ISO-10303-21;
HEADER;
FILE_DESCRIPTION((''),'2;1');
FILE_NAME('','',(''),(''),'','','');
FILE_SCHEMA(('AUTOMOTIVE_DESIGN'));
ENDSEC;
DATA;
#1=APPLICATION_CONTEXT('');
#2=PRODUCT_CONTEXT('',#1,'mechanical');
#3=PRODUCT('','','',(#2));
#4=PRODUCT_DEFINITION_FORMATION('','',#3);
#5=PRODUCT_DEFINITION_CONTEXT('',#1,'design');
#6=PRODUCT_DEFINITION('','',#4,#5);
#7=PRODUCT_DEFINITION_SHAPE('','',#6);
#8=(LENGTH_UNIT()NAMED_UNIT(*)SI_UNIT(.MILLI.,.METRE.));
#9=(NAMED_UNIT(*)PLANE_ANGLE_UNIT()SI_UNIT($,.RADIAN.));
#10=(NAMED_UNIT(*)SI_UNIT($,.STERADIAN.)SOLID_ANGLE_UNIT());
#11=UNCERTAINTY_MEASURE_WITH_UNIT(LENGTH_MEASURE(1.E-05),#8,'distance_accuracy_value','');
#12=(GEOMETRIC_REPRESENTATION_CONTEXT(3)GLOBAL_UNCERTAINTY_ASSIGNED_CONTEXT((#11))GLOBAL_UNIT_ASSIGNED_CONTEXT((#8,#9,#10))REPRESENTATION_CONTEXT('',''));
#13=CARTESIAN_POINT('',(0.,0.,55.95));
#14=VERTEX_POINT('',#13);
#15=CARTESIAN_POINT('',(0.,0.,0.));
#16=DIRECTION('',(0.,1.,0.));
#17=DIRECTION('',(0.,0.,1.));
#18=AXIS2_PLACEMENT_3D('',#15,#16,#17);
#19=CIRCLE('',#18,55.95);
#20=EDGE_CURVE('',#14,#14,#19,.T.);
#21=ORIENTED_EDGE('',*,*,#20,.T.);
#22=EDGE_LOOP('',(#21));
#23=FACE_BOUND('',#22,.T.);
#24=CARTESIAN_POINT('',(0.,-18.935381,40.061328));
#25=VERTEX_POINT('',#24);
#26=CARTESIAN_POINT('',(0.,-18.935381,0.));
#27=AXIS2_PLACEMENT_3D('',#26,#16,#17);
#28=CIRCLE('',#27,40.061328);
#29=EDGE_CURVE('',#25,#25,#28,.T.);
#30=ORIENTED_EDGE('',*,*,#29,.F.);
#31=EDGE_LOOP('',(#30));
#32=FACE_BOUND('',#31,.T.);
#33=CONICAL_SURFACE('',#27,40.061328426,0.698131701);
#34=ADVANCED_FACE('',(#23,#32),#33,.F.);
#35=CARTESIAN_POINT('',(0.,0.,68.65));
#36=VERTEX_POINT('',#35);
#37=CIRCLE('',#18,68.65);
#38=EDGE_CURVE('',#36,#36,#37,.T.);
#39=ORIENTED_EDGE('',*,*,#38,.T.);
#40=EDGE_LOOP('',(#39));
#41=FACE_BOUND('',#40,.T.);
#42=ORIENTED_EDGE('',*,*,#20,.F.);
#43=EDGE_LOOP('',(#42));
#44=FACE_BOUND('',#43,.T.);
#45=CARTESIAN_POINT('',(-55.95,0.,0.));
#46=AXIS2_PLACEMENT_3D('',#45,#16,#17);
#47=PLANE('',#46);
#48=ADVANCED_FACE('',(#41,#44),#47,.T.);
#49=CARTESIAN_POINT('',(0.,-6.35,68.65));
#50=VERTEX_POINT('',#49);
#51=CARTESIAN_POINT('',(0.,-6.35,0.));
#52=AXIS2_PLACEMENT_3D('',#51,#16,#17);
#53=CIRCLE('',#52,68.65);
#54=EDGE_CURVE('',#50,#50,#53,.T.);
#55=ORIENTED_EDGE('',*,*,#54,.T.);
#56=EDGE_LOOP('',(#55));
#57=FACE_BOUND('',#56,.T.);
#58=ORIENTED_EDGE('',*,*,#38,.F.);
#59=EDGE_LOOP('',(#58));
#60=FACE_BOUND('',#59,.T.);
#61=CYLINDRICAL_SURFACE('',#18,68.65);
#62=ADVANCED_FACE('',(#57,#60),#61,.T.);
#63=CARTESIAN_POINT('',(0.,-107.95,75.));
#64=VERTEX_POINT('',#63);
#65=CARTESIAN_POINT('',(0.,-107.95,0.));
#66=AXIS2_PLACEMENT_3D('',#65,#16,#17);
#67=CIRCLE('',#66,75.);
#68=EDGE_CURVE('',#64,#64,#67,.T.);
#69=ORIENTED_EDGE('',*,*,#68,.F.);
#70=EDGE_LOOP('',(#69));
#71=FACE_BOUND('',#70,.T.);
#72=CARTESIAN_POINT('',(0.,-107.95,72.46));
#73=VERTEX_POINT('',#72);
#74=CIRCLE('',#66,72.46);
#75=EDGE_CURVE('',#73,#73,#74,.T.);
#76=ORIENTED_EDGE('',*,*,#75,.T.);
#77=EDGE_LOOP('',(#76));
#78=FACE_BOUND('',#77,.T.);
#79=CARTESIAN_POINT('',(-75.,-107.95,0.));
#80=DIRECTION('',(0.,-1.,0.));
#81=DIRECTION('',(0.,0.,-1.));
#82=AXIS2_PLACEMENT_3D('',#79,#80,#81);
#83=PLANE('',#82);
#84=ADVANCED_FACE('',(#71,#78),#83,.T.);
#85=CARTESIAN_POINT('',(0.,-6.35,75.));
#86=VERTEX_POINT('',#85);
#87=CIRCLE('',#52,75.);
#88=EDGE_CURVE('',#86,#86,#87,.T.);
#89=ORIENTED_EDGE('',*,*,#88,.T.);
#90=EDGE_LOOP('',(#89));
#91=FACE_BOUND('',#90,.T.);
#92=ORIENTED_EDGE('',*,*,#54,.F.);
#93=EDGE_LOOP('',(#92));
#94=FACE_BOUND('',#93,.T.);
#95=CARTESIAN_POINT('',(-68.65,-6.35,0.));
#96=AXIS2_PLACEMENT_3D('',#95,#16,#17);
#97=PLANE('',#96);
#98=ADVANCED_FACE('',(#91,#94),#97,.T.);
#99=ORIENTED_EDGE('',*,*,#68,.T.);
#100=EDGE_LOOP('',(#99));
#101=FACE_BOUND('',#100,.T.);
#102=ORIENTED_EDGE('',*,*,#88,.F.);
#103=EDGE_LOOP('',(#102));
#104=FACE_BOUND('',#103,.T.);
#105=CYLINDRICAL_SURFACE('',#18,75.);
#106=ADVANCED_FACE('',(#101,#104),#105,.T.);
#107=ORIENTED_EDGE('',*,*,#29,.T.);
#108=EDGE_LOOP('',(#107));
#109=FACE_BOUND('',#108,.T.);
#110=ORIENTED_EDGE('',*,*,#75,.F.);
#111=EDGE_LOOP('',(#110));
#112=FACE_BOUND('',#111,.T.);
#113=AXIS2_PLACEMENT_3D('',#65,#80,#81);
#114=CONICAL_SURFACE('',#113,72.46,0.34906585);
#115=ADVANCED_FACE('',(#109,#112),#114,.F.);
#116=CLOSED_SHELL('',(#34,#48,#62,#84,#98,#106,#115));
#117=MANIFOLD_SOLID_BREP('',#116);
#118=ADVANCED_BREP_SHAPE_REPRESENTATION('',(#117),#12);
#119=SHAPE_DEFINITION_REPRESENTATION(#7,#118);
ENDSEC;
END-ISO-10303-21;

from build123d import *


with BuildPart() as part:
    # Sketch2 → Revolve1 (revolve)
    with BuildSketch(Plane.XY, mode=Mode.PRIVATE) as revolve1_sk:
        Polygon((-55.95, 0), (-68.65, 0), (-68.65, -6.35), (-75, -6.35), (-75, -107.95), (-72.46, -107.95), (-40.061328426, -18.93538143), align=None)
    revolve(revolve1_sk.sketch.rotate(Axis((0, 0, 0), (0, -1, 0)), 270), axis=Axis((0, 0, 0), (0, -1, 0)))


solid = part.part
